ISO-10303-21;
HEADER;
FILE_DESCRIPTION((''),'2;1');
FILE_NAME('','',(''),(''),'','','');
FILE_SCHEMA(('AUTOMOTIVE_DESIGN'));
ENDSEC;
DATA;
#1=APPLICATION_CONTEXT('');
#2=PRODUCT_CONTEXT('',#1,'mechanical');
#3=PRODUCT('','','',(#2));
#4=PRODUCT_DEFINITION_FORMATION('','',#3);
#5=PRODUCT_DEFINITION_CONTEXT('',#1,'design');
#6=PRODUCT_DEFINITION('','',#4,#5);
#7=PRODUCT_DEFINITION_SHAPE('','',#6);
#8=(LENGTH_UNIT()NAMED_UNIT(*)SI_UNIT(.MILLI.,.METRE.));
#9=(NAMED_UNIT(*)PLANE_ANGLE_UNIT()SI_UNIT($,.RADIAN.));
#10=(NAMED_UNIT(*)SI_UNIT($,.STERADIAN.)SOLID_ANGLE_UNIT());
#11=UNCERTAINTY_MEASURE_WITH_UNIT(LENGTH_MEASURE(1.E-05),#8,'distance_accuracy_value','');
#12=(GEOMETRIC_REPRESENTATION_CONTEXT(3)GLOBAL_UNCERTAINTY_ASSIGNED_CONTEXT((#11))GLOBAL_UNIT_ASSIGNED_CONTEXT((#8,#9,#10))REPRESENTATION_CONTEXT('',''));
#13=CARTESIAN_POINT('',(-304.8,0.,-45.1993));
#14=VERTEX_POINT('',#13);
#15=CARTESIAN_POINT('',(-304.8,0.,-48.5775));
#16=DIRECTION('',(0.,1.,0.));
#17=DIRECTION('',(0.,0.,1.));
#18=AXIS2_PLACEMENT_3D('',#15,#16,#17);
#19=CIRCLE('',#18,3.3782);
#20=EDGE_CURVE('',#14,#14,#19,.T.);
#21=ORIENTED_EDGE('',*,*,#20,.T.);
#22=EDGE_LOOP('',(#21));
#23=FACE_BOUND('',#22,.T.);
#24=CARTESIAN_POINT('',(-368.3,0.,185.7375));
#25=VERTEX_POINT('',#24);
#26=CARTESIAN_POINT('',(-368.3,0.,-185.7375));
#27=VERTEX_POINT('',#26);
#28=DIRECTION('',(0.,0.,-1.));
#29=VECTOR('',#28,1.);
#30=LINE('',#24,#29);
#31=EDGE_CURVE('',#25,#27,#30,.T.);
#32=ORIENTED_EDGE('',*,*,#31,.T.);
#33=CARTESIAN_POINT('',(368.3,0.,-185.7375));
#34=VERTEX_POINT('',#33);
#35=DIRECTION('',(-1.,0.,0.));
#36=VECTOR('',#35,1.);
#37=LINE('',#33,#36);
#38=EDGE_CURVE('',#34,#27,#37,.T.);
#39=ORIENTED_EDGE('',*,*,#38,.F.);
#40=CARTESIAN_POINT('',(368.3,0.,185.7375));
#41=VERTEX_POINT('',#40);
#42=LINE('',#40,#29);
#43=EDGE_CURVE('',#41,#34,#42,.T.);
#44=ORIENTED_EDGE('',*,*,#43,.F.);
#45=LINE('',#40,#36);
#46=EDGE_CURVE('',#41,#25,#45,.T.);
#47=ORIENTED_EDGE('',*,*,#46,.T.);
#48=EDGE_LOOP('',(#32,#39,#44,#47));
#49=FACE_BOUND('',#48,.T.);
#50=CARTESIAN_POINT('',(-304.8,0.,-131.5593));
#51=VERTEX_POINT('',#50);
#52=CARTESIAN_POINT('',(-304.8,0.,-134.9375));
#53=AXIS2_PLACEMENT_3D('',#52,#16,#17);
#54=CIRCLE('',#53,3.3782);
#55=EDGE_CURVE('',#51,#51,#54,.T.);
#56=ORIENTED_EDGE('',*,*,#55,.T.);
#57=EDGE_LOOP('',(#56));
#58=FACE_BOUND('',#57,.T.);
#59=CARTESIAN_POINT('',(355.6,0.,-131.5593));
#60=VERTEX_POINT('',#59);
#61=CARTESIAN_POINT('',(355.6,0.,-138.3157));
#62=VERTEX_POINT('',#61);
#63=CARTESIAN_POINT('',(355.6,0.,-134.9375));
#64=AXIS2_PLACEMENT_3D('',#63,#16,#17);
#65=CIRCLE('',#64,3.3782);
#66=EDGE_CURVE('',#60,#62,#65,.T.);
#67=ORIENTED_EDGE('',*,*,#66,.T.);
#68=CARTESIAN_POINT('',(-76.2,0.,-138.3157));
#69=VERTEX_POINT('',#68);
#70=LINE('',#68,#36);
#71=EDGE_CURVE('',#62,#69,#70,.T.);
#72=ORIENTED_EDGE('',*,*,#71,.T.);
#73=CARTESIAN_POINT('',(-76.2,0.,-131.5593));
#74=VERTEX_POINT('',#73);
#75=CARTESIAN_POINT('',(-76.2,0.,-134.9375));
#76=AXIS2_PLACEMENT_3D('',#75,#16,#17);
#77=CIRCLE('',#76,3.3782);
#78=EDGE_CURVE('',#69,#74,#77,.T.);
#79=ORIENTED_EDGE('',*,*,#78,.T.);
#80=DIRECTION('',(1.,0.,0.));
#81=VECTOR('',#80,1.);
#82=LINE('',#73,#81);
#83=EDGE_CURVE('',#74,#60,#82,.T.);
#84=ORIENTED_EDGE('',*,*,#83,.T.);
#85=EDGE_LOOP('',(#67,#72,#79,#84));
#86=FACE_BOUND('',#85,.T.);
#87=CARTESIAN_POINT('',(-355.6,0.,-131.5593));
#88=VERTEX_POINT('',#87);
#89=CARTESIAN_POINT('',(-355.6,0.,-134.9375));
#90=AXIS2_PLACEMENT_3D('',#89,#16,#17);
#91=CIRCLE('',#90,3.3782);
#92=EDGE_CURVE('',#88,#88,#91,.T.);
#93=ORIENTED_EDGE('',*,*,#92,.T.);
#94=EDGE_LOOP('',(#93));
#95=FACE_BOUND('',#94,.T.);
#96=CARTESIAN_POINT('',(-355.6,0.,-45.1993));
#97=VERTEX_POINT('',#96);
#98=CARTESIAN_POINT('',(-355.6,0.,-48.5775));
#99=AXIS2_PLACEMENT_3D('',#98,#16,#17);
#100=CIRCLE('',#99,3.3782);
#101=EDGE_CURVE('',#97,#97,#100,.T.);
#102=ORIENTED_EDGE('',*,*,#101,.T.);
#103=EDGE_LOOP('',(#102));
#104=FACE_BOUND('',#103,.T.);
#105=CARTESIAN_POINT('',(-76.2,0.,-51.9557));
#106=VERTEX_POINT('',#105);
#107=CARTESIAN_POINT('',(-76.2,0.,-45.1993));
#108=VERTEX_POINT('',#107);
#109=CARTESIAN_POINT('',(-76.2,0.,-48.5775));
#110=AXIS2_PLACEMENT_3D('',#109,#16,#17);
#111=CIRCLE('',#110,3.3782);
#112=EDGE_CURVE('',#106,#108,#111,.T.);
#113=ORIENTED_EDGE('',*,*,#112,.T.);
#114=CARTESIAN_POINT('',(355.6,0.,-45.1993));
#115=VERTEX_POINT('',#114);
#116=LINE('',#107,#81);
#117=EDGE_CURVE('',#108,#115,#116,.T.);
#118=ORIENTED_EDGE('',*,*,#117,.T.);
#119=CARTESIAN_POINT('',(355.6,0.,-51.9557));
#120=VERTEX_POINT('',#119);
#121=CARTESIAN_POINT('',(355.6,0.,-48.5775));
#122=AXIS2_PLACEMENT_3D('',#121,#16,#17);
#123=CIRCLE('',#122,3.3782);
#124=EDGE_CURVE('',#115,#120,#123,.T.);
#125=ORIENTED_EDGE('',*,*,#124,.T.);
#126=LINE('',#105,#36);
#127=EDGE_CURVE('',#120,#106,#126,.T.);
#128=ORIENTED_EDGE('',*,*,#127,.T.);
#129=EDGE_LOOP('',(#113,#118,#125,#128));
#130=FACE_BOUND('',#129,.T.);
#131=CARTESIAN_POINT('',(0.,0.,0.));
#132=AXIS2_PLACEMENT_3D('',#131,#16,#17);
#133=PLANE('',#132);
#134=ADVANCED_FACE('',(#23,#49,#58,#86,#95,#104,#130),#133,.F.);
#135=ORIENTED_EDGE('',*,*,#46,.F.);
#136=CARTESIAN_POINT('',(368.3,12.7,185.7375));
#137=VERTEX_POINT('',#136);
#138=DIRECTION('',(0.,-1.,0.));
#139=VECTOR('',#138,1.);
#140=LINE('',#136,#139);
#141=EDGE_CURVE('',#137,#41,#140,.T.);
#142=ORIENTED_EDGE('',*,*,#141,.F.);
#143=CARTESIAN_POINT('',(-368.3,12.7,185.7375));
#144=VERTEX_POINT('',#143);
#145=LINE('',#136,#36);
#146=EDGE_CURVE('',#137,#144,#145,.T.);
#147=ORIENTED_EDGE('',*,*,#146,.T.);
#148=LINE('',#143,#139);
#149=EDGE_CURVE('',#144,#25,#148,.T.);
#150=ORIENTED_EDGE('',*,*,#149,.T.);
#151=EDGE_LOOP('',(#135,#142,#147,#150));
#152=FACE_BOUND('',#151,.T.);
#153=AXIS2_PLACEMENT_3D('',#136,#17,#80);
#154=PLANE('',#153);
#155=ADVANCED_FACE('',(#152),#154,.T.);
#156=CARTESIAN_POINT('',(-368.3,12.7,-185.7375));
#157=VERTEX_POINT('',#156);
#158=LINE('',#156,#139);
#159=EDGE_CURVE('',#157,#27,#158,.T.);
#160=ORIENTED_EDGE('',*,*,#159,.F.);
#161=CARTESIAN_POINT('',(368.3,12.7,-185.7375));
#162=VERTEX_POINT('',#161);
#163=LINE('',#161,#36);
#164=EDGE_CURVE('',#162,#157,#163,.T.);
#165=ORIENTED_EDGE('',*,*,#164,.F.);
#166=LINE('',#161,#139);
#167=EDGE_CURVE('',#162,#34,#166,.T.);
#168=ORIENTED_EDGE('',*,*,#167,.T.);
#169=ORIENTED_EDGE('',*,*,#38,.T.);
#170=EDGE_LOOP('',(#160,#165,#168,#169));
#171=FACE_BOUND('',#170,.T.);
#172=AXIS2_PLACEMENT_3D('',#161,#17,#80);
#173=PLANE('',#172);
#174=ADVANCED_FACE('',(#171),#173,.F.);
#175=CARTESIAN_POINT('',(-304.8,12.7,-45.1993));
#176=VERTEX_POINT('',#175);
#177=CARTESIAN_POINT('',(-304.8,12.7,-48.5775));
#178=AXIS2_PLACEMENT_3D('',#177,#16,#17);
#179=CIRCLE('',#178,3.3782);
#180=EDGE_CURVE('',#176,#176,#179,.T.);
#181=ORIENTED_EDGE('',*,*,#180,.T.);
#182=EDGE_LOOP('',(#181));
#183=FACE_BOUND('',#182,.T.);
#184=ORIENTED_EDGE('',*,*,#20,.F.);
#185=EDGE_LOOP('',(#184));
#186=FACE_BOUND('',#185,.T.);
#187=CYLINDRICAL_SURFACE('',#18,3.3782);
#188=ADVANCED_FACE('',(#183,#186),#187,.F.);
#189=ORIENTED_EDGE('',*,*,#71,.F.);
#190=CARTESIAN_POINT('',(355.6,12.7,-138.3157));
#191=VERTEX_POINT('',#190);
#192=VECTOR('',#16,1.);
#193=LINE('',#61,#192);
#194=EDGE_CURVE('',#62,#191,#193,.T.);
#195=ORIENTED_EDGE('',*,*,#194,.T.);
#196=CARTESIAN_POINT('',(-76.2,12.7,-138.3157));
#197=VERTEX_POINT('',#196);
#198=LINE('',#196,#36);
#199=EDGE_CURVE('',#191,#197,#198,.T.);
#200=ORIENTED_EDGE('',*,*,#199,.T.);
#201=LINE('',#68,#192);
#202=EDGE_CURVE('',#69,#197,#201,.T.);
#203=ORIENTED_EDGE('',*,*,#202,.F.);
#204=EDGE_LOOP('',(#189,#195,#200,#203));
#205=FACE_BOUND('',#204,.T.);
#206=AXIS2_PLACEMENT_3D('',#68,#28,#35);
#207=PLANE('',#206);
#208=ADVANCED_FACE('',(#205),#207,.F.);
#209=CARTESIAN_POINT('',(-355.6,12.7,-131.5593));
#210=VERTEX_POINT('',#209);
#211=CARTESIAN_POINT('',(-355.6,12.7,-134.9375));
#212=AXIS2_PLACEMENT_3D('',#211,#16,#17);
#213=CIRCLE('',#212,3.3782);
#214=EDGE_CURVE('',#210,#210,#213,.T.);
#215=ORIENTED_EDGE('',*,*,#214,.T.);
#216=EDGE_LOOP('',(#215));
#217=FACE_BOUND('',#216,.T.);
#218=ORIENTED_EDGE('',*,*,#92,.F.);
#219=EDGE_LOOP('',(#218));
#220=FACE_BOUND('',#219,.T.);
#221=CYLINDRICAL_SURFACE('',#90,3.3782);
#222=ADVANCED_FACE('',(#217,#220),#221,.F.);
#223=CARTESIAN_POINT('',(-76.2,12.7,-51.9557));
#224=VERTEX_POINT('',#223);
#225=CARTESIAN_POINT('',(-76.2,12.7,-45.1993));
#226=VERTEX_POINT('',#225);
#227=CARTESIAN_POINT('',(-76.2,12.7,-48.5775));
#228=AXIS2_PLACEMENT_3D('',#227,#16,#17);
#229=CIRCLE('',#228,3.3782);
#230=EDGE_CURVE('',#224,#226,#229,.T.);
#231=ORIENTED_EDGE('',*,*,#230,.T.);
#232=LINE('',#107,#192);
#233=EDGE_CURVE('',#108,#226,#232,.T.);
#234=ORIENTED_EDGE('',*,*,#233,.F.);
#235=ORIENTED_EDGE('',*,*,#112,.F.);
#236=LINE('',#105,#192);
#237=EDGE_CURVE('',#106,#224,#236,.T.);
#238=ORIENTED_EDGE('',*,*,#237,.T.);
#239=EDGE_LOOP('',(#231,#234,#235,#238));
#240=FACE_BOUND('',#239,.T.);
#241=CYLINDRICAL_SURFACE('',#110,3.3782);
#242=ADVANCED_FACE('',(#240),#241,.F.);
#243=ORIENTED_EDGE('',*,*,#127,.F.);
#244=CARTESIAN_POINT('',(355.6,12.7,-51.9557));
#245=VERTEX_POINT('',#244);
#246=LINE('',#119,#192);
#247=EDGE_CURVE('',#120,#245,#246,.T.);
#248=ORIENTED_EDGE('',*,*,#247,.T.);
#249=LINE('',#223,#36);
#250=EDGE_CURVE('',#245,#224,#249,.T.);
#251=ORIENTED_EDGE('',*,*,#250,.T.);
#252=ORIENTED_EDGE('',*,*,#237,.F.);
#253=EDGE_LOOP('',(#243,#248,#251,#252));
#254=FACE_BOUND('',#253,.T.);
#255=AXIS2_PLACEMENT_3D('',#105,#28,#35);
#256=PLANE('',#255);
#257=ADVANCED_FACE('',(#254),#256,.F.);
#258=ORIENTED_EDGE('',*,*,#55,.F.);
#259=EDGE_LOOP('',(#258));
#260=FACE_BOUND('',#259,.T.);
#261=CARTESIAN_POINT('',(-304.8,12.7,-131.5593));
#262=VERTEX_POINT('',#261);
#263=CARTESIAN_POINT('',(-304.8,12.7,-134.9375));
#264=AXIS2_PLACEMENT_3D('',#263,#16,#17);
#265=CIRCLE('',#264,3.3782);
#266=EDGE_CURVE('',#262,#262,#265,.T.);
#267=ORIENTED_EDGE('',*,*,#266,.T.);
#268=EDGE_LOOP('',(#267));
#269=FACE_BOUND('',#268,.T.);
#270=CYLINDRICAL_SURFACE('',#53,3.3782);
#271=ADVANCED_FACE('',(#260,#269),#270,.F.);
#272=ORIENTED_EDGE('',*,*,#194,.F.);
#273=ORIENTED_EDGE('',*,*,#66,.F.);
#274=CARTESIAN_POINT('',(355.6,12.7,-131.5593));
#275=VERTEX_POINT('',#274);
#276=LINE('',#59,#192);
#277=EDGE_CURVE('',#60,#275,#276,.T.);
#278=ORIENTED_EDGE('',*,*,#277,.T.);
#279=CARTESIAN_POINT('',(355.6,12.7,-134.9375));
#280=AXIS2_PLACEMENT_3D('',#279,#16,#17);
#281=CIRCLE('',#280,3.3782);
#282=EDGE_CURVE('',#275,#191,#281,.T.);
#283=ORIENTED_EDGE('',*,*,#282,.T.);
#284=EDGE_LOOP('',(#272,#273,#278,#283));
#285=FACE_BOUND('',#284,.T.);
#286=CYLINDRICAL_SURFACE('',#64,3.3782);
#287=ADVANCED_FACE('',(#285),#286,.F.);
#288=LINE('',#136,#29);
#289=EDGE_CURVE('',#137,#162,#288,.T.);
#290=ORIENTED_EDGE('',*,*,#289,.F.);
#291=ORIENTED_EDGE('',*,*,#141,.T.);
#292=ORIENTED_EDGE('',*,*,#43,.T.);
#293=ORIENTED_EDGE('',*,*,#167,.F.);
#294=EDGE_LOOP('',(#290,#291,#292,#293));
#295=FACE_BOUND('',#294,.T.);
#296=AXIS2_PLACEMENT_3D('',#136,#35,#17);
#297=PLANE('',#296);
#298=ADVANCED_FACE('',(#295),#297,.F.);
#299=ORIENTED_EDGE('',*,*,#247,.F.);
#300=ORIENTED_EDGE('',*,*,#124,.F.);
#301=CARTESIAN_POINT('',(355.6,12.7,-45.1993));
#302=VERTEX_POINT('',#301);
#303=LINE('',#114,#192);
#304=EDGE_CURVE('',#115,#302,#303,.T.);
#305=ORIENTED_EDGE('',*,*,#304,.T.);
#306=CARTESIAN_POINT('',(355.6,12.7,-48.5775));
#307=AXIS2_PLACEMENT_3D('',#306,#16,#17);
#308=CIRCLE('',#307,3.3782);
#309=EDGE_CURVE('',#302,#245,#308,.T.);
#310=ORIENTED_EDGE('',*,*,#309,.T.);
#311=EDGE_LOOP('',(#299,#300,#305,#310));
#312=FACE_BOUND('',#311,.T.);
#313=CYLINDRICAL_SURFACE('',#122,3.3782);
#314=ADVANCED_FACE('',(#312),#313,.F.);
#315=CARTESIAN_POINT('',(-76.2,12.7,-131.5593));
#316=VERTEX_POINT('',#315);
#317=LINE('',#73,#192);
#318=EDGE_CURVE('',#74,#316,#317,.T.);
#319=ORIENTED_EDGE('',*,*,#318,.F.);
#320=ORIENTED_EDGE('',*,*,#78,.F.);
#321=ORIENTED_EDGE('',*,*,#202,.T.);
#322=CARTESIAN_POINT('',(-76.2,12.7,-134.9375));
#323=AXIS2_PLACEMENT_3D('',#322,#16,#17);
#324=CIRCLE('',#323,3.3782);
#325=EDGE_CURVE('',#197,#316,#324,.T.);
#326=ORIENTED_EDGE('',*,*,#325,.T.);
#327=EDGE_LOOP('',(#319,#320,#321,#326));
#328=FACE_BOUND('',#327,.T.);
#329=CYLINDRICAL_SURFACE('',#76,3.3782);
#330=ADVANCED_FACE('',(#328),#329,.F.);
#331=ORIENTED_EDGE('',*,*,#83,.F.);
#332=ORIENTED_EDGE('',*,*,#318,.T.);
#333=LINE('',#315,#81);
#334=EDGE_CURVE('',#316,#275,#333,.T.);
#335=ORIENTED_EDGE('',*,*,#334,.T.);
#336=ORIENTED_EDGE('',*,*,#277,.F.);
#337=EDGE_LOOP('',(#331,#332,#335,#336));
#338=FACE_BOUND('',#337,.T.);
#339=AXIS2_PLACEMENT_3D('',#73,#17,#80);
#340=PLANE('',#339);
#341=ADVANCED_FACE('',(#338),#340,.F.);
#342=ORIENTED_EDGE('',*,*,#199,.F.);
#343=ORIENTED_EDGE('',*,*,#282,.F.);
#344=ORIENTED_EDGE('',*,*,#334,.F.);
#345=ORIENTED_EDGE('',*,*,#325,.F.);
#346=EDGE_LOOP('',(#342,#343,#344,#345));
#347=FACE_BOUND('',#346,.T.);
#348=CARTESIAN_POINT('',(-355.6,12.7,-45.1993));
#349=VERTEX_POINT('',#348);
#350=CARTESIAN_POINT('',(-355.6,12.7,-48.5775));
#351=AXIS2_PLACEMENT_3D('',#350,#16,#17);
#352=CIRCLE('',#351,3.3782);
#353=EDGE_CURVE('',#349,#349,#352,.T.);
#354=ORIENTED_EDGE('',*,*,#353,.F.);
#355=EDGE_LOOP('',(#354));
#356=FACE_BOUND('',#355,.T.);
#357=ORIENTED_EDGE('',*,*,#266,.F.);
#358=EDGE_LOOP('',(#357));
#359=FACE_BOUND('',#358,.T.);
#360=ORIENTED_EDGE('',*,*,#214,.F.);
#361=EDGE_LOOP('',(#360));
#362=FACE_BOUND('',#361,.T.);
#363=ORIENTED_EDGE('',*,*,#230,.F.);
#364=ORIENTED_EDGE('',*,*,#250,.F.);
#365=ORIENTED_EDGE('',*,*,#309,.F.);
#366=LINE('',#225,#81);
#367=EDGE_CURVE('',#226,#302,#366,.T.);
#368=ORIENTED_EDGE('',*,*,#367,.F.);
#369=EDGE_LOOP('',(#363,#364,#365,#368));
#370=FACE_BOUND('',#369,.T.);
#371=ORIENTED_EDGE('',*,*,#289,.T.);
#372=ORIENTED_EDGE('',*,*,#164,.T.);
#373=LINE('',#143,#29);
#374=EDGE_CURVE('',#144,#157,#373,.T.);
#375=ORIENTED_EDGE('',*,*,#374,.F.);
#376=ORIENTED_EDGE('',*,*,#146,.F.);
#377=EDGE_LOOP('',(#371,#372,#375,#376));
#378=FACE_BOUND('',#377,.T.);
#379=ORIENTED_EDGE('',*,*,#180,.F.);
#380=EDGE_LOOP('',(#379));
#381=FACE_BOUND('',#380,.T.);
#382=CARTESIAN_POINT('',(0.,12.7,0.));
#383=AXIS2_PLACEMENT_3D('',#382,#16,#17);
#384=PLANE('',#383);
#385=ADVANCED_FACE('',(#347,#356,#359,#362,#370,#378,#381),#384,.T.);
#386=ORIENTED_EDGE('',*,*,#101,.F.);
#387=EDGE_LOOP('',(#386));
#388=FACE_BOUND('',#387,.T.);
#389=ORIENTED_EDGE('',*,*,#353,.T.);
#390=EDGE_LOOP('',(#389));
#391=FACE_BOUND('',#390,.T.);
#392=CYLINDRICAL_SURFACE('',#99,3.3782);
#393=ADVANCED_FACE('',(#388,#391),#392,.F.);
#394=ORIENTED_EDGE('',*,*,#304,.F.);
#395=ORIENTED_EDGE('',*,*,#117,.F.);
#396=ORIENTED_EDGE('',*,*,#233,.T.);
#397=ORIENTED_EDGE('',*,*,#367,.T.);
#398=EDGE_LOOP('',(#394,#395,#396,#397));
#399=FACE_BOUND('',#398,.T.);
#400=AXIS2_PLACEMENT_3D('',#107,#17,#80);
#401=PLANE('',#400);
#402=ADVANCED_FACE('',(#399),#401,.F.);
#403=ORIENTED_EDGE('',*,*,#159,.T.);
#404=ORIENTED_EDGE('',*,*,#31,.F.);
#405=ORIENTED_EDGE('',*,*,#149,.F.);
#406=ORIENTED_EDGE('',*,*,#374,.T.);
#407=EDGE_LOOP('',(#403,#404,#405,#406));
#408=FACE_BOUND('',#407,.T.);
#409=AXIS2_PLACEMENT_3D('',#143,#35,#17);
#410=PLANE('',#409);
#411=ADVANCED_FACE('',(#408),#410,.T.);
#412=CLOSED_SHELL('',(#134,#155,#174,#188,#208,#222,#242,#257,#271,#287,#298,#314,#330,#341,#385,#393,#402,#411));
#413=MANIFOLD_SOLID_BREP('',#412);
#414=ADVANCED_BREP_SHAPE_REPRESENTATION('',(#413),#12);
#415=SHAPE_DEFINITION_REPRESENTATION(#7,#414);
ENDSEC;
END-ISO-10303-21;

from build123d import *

# Parameters (mm, degrees)
SKETCH1_W           = 736.6
SKETCH1_H           = 371.475
BOSS_EXTRUDE1_DEPTH = 12.7
SKETCH2_R           = 3.3782
CUT_EXTRUDE1_DEPTH  = 13.7


with BuildPart() as part:
    # Sketch1 → Boss-Extrude1 (new body)
    with BuildSketch(Plane(origin=(0, 0, 0), x_dir=(1, 0, 0), z_dir=(0, 1, 0))):
        Rectangle(SKETCH1_W, SKETCH1_H)
    extrude(amount=BOSS_EXTRUDE1_DEPTH)

    # Sketch2 → Cut-Extrude1 (cut, through all)
    with BuildSketch(Plane(origin=(0, 12.7, 0), x_dir=(1, 0, 0), z_dir=(0, 1, 0))):
        with Locations((-355.6, 134.9375)):
            Circle(SKETCH2_R)
        with Locations((-355.6, 48.5775)):
            Circle(SKETCH2_R)
        with Locations((-304.8, 48.5775)):
            Circle(SKETCH2_R)
        with Locations((-304.8, 134.9375)):
            Circle(SKETCH2_R)
        with BuildLine():
            Line((-76.2, 138.3157), (355.6, 138.3157))
            ThreePointArc((355.6, 138.3157), (358.9782, 134.9375), (355.6, 131.5593))
            Line((355.6, 131.5593), (-76.2, 131.5593))
            ThreePointArc((-76.2, 131.5593), (-79.5782, 134.9375), (-76.2, 138.3157))
        make_face()
        with BuildLine():
            Line((-76.2, 51.9557), (355.6, 51.9557))
            ThreePointArc((355.6, 51.9557), (358.9782, 48.5775), (355.6, 45.1993))
            Line((355.6, 45.1993), (-76.2, 45.1993))
            ThreePointArc((-76.2, 45.1993), (-79.5782, 48.5775), (-76.2, 51.9557))
        make_face()
    extrude(amount=-CUT_EXTRUDE1_DEPTH, mode=Mode.SUBTRACT)


solid = part.part
